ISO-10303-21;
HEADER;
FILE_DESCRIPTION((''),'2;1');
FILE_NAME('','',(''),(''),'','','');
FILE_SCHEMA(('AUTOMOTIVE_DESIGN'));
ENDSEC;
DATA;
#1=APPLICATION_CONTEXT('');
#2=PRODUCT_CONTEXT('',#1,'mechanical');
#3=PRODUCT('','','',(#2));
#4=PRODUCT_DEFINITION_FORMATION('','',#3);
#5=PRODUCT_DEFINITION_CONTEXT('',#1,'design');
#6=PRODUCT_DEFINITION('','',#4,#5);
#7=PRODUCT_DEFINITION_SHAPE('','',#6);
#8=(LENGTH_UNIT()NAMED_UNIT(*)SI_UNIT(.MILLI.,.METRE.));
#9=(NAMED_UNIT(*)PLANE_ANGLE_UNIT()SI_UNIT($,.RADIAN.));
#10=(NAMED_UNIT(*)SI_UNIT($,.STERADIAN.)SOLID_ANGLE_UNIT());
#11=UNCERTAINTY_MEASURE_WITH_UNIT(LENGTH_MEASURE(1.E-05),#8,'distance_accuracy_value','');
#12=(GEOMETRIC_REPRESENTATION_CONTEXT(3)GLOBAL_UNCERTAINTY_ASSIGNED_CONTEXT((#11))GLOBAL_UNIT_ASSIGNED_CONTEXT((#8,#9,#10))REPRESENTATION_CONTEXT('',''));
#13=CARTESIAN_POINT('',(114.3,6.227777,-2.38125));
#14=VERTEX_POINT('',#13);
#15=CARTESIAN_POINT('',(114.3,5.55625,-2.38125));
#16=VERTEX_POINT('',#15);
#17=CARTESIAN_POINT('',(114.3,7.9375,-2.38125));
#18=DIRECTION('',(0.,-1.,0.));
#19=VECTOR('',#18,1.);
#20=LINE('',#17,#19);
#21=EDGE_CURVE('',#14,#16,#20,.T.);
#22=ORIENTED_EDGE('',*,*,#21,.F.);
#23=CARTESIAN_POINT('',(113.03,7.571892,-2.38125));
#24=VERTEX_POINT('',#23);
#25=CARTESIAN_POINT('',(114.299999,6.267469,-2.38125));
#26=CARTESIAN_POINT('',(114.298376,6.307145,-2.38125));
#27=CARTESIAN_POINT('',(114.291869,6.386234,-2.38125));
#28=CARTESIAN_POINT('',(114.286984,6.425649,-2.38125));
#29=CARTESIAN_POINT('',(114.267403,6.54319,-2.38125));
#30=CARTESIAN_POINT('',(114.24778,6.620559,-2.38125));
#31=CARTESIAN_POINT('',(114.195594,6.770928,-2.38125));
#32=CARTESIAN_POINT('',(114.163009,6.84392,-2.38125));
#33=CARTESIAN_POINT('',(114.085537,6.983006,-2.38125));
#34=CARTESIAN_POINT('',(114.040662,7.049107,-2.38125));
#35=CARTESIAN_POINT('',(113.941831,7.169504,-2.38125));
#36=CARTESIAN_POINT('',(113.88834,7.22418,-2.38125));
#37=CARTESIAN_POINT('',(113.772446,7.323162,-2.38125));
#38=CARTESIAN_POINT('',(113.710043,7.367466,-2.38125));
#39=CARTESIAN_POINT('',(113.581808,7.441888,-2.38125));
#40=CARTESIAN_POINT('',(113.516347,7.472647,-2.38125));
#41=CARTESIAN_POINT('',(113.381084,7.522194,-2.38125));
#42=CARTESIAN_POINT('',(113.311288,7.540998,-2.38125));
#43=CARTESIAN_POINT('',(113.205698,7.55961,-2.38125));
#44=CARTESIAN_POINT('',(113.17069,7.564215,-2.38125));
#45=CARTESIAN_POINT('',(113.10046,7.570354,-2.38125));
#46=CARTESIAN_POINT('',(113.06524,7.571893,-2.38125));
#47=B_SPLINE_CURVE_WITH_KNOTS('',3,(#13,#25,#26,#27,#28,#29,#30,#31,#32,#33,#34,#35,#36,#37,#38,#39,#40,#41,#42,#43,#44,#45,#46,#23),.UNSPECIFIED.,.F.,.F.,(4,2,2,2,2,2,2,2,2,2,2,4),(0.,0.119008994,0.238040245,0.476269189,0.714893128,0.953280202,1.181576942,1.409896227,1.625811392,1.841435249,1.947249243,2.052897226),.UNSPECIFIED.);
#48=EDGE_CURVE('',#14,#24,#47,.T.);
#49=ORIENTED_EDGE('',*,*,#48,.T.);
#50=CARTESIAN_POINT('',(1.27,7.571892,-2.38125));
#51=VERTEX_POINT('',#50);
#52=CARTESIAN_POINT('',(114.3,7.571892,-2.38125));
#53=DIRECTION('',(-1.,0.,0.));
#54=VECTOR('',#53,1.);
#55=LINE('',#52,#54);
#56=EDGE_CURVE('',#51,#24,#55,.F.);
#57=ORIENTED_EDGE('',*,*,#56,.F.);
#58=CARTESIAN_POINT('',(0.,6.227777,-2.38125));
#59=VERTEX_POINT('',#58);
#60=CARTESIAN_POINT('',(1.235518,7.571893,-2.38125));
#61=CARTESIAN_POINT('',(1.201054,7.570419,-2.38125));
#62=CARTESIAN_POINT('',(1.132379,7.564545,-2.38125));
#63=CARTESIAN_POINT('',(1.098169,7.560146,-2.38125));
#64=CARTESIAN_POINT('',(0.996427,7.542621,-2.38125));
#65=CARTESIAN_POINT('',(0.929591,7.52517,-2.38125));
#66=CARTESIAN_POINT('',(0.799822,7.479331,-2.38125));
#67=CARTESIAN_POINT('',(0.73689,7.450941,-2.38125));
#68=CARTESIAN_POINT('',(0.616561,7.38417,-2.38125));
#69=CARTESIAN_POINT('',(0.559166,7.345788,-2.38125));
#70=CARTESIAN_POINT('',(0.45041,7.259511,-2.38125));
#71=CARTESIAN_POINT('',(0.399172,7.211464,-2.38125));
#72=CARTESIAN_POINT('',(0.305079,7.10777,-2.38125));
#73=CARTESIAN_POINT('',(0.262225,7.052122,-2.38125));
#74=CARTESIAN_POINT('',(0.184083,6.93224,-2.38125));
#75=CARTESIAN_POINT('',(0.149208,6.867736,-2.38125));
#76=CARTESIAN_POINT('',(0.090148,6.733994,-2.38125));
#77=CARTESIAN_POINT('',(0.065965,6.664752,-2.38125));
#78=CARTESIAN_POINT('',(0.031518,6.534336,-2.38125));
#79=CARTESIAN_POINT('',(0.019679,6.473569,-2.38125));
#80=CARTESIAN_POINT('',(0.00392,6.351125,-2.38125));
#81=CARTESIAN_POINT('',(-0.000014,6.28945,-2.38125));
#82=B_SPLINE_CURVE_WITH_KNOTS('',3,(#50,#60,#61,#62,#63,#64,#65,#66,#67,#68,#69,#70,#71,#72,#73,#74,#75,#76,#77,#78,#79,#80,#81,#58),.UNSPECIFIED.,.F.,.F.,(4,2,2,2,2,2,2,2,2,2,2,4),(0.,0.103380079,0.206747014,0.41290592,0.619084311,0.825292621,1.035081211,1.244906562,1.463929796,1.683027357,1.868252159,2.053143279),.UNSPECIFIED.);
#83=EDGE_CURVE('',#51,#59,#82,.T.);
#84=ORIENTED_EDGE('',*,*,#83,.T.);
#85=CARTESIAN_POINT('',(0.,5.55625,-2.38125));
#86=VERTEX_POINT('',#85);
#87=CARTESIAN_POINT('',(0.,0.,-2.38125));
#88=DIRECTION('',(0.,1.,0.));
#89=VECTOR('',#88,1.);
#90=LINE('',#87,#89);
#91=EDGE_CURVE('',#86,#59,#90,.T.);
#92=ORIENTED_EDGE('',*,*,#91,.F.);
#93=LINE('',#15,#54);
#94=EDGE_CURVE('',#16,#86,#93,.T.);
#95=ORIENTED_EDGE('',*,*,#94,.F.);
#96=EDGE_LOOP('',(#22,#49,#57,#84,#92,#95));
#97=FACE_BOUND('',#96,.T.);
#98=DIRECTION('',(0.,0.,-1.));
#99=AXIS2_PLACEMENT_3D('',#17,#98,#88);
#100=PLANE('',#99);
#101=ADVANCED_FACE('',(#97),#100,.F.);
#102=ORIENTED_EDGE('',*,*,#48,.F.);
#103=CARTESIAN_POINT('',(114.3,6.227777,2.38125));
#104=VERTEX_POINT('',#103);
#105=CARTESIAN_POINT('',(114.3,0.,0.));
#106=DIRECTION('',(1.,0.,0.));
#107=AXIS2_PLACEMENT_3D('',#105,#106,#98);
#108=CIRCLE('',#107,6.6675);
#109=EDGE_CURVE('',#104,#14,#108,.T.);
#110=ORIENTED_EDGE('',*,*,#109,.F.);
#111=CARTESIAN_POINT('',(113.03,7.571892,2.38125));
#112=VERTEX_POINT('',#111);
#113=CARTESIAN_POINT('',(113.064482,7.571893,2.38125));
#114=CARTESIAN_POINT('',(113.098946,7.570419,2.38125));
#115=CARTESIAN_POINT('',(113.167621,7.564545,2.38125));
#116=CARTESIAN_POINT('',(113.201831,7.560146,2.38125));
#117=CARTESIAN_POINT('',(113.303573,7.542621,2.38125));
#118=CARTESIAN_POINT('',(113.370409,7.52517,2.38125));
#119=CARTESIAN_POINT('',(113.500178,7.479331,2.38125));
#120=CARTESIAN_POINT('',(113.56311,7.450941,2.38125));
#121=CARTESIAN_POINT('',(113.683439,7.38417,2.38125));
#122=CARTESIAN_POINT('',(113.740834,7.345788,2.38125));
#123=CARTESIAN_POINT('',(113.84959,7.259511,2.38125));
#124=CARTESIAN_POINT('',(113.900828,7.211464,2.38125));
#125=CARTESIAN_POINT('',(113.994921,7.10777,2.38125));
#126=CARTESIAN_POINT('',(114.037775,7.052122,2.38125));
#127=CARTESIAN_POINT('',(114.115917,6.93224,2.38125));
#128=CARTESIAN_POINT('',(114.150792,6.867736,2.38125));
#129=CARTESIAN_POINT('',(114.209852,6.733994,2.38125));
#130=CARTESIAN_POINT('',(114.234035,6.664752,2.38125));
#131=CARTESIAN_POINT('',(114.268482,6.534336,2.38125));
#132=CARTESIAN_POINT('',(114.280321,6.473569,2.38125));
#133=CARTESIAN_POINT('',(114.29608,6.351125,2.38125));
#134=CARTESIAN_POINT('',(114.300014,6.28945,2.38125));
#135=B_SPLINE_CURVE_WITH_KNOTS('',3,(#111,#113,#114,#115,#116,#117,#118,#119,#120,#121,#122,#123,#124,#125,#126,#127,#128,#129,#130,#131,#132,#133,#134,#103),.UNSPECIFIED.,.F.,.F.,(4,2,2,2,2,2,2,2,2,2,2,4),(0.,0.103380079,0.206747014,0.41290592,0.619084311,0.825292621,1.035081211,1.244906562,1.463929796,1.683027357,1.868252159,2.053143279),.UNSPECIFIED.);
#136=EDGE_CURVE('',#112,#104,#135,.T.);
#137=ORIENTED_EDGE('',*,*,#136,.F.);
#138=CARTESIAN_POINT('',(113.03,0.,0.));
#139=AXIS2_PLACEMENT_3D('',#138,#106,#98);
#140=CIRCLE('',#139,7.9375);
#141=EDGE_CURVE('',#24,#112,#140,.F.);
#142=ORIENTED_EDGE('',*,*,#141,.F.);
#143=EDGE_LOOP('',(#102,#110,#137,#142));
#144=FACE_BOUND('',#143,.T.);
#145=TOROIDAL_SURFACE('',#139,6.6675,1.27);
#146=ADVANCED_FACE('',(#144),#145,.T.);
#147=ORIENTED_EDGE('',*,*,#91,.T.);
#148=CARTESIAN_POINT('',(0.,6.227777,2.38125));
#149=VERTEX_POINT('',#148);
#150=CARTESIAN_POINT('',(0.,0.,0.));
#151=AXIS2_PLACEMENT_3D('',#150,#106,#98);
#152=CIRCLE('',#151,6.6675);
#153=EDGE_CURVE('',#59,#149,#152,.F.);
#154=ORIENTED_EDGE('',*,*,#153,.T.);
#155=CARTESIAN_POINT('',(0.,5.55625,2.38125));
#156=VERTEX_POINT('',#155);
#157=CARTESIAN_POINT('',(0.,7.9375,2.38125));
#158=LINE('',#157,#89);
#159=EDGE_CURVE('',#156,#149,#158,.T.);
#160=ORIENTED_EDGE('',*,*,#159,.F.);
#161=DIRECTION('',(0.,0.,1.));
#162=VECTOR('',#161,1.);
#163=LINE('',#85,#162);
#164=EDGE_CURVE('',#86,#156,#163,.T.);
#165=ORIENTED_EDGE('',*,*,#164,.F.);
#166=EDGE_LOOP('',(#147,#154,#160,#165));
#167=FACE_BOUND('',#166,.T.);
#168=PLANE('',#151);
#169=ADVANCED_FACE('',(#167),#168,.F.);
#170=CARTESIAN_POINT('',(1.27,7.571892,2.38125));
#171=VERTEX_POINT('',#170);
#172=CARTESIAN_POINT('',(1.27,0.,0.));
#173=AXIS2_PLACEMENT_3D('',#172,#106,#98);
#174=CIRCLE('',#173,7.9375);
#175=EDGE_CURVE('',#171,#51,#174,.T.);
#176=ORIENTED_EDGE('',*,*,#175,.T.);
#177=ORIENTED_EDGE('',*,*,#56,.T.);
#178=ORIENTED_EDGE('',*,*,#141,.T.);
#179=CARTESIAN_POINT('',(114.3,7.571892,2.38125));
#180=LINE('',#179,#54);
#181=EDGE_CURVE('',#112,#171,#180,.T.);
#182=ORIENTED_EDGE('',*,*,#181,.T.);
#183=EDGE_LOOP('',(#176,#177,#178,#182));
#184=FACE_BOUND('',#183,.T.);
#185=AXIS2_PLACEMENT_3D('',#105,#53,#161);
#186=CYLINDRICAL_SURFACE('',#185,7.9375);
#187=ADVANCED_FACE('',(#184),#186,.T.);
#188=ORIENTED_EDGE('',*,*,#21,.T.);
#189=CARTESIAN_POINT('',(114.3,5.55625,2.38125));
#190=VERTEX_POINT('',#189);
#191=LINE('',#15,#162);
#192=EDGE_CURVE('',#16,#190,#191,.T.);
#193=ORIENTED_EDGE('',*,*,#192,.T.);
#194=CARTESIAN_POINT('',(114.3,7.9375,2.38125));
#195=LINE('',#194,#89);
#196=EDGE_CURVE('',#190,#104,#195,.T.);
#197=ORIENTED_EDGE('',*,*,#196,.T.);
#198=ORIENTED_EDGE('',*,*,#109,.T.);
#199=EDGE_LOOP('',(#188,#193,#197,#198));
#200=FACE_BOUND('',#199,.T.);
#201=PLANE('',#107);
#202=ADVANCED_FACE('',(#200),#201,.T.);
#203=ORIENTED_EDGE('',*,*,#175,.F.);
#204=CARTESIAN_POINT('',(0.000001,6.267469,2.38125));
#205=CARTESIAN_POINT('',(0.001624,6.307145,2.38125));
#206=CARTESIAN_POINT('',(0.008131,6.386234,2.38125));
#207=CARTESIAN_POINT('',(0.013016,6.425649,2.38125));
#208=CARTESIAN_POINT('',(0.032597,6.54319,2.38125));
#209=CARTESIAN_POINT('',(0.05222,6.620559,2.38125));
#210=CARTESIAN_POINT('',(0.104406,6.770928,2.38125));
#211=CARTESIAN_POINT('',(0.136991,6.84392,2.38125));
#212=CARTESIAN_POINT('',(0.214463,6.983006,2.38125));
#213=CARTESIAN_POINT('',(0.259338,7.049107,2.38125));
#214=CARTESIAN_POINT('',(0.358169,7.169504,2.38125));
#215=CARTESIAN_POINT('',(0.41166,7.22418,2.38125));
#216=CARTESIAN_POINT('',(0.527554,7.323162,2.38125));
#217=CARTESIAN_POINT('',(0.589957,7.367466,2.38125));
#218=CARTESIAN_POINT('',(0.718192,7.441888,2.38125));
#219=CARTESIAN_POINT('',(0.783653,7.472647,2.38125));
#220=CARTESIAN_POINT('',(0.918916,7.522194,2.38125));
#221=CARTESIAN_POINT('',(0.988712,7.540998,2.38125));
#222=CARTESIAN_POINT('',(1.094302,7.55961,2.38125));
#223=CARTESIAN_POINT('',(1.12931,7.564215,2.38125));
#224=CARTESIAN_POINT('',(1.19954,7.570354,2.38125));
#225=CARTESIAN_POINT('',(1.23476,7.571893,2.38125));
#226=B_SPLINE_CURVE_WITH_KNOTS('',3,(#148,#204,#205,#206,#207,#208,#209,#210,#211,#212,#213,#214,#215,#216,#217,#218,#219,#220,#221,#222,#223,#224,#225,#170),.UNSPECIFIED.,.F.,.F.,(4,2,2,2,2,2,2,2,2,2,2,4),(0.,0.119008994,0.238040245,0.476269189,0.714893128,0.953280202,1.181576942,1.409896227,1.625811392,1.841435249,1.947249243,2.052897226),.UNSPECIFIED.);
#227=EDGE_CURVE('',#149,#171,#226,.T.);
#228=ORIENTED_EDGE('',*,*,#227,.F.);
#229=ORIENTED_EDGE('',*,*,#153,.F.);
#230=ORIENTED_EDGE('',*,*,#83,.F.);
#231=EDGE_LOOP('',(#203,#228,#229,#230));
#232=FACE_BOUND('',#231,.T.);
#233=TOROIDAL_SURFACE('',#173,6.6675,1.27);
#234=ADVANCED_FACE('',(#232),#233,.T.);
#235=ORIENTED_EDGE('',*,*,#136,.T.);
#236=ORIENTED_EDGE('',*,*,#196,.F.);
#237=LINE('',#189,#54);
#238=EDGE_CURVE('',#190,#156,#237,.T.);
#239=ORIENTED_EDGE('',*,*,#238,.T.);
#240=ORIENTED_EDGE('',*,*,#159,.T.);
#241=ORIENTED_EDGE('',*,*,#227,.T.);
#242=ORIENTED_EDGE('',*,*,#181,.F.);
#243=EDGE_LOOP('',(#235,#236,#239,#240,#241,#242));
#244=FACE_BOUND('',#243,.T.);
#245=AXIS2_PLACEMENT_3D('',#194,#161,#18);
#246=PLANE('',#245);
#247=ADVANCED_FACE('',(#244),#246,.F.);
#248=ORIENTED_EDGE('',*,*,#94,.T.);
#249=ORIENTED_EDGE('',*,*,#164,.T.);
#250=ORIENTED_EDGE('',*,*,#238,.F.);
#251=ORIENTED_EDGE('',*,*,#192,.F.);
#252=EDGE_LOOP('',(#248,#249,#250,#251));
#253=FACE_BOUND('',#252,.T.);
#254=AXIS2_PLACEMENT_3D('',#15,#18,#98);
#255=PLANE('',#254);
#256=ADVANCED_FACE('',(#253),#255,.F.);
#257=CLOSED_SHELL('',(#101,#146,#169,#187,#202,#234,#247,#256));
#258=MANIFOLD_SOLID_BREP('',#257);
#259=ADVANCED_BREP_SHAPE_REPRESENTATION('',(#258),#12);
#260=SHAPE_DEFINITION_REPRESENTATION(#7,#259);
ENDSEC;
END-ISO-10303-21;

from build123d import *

# Parameters (mm, degrees)
SKETCH1_R          = 7.9375
EXTRUDE1_DEPTH     = 114.3
SKETCH2_W          = 4.7625
SKETCH2_H          = 2.38125
CUT_EXTRUDE1_DEPTH = 115.3
FILLET1_R          = 1.27


with BuildPart() as part:
    # Sketch1 → Extrude1 (new body)
    with BuildSketch(Plane(origin=(0, 0, 0), x_dir=(0, 0, -1), z_dir=(1, 0, 0))):
        Circle(SKETCH1_R)
    extrude(amount=EXTRUDE1_DEPTH)

    # Sketch2 → Cut-Extrude1 (cut, through all)
    with BuildSketch(Plane.ZY):
        with Locations((0, 6.746875)):
            Rectangle(SKETCH2_W, SKETCH2_H)
    extrude(amount=-CUT_EXTRUDE1_DEPTH, mode=Mode.SUBTRACT)

    # Fillet1
    fillet1_edges = [part.edges().sort_by_distance(p)[0] for p in [
        (0, -7.9375, 0),
        (114.3, -7.9375, 0),
    ]]
    fillet(fillet1_edges, radius=FILLET1_R)


solid = part.part
